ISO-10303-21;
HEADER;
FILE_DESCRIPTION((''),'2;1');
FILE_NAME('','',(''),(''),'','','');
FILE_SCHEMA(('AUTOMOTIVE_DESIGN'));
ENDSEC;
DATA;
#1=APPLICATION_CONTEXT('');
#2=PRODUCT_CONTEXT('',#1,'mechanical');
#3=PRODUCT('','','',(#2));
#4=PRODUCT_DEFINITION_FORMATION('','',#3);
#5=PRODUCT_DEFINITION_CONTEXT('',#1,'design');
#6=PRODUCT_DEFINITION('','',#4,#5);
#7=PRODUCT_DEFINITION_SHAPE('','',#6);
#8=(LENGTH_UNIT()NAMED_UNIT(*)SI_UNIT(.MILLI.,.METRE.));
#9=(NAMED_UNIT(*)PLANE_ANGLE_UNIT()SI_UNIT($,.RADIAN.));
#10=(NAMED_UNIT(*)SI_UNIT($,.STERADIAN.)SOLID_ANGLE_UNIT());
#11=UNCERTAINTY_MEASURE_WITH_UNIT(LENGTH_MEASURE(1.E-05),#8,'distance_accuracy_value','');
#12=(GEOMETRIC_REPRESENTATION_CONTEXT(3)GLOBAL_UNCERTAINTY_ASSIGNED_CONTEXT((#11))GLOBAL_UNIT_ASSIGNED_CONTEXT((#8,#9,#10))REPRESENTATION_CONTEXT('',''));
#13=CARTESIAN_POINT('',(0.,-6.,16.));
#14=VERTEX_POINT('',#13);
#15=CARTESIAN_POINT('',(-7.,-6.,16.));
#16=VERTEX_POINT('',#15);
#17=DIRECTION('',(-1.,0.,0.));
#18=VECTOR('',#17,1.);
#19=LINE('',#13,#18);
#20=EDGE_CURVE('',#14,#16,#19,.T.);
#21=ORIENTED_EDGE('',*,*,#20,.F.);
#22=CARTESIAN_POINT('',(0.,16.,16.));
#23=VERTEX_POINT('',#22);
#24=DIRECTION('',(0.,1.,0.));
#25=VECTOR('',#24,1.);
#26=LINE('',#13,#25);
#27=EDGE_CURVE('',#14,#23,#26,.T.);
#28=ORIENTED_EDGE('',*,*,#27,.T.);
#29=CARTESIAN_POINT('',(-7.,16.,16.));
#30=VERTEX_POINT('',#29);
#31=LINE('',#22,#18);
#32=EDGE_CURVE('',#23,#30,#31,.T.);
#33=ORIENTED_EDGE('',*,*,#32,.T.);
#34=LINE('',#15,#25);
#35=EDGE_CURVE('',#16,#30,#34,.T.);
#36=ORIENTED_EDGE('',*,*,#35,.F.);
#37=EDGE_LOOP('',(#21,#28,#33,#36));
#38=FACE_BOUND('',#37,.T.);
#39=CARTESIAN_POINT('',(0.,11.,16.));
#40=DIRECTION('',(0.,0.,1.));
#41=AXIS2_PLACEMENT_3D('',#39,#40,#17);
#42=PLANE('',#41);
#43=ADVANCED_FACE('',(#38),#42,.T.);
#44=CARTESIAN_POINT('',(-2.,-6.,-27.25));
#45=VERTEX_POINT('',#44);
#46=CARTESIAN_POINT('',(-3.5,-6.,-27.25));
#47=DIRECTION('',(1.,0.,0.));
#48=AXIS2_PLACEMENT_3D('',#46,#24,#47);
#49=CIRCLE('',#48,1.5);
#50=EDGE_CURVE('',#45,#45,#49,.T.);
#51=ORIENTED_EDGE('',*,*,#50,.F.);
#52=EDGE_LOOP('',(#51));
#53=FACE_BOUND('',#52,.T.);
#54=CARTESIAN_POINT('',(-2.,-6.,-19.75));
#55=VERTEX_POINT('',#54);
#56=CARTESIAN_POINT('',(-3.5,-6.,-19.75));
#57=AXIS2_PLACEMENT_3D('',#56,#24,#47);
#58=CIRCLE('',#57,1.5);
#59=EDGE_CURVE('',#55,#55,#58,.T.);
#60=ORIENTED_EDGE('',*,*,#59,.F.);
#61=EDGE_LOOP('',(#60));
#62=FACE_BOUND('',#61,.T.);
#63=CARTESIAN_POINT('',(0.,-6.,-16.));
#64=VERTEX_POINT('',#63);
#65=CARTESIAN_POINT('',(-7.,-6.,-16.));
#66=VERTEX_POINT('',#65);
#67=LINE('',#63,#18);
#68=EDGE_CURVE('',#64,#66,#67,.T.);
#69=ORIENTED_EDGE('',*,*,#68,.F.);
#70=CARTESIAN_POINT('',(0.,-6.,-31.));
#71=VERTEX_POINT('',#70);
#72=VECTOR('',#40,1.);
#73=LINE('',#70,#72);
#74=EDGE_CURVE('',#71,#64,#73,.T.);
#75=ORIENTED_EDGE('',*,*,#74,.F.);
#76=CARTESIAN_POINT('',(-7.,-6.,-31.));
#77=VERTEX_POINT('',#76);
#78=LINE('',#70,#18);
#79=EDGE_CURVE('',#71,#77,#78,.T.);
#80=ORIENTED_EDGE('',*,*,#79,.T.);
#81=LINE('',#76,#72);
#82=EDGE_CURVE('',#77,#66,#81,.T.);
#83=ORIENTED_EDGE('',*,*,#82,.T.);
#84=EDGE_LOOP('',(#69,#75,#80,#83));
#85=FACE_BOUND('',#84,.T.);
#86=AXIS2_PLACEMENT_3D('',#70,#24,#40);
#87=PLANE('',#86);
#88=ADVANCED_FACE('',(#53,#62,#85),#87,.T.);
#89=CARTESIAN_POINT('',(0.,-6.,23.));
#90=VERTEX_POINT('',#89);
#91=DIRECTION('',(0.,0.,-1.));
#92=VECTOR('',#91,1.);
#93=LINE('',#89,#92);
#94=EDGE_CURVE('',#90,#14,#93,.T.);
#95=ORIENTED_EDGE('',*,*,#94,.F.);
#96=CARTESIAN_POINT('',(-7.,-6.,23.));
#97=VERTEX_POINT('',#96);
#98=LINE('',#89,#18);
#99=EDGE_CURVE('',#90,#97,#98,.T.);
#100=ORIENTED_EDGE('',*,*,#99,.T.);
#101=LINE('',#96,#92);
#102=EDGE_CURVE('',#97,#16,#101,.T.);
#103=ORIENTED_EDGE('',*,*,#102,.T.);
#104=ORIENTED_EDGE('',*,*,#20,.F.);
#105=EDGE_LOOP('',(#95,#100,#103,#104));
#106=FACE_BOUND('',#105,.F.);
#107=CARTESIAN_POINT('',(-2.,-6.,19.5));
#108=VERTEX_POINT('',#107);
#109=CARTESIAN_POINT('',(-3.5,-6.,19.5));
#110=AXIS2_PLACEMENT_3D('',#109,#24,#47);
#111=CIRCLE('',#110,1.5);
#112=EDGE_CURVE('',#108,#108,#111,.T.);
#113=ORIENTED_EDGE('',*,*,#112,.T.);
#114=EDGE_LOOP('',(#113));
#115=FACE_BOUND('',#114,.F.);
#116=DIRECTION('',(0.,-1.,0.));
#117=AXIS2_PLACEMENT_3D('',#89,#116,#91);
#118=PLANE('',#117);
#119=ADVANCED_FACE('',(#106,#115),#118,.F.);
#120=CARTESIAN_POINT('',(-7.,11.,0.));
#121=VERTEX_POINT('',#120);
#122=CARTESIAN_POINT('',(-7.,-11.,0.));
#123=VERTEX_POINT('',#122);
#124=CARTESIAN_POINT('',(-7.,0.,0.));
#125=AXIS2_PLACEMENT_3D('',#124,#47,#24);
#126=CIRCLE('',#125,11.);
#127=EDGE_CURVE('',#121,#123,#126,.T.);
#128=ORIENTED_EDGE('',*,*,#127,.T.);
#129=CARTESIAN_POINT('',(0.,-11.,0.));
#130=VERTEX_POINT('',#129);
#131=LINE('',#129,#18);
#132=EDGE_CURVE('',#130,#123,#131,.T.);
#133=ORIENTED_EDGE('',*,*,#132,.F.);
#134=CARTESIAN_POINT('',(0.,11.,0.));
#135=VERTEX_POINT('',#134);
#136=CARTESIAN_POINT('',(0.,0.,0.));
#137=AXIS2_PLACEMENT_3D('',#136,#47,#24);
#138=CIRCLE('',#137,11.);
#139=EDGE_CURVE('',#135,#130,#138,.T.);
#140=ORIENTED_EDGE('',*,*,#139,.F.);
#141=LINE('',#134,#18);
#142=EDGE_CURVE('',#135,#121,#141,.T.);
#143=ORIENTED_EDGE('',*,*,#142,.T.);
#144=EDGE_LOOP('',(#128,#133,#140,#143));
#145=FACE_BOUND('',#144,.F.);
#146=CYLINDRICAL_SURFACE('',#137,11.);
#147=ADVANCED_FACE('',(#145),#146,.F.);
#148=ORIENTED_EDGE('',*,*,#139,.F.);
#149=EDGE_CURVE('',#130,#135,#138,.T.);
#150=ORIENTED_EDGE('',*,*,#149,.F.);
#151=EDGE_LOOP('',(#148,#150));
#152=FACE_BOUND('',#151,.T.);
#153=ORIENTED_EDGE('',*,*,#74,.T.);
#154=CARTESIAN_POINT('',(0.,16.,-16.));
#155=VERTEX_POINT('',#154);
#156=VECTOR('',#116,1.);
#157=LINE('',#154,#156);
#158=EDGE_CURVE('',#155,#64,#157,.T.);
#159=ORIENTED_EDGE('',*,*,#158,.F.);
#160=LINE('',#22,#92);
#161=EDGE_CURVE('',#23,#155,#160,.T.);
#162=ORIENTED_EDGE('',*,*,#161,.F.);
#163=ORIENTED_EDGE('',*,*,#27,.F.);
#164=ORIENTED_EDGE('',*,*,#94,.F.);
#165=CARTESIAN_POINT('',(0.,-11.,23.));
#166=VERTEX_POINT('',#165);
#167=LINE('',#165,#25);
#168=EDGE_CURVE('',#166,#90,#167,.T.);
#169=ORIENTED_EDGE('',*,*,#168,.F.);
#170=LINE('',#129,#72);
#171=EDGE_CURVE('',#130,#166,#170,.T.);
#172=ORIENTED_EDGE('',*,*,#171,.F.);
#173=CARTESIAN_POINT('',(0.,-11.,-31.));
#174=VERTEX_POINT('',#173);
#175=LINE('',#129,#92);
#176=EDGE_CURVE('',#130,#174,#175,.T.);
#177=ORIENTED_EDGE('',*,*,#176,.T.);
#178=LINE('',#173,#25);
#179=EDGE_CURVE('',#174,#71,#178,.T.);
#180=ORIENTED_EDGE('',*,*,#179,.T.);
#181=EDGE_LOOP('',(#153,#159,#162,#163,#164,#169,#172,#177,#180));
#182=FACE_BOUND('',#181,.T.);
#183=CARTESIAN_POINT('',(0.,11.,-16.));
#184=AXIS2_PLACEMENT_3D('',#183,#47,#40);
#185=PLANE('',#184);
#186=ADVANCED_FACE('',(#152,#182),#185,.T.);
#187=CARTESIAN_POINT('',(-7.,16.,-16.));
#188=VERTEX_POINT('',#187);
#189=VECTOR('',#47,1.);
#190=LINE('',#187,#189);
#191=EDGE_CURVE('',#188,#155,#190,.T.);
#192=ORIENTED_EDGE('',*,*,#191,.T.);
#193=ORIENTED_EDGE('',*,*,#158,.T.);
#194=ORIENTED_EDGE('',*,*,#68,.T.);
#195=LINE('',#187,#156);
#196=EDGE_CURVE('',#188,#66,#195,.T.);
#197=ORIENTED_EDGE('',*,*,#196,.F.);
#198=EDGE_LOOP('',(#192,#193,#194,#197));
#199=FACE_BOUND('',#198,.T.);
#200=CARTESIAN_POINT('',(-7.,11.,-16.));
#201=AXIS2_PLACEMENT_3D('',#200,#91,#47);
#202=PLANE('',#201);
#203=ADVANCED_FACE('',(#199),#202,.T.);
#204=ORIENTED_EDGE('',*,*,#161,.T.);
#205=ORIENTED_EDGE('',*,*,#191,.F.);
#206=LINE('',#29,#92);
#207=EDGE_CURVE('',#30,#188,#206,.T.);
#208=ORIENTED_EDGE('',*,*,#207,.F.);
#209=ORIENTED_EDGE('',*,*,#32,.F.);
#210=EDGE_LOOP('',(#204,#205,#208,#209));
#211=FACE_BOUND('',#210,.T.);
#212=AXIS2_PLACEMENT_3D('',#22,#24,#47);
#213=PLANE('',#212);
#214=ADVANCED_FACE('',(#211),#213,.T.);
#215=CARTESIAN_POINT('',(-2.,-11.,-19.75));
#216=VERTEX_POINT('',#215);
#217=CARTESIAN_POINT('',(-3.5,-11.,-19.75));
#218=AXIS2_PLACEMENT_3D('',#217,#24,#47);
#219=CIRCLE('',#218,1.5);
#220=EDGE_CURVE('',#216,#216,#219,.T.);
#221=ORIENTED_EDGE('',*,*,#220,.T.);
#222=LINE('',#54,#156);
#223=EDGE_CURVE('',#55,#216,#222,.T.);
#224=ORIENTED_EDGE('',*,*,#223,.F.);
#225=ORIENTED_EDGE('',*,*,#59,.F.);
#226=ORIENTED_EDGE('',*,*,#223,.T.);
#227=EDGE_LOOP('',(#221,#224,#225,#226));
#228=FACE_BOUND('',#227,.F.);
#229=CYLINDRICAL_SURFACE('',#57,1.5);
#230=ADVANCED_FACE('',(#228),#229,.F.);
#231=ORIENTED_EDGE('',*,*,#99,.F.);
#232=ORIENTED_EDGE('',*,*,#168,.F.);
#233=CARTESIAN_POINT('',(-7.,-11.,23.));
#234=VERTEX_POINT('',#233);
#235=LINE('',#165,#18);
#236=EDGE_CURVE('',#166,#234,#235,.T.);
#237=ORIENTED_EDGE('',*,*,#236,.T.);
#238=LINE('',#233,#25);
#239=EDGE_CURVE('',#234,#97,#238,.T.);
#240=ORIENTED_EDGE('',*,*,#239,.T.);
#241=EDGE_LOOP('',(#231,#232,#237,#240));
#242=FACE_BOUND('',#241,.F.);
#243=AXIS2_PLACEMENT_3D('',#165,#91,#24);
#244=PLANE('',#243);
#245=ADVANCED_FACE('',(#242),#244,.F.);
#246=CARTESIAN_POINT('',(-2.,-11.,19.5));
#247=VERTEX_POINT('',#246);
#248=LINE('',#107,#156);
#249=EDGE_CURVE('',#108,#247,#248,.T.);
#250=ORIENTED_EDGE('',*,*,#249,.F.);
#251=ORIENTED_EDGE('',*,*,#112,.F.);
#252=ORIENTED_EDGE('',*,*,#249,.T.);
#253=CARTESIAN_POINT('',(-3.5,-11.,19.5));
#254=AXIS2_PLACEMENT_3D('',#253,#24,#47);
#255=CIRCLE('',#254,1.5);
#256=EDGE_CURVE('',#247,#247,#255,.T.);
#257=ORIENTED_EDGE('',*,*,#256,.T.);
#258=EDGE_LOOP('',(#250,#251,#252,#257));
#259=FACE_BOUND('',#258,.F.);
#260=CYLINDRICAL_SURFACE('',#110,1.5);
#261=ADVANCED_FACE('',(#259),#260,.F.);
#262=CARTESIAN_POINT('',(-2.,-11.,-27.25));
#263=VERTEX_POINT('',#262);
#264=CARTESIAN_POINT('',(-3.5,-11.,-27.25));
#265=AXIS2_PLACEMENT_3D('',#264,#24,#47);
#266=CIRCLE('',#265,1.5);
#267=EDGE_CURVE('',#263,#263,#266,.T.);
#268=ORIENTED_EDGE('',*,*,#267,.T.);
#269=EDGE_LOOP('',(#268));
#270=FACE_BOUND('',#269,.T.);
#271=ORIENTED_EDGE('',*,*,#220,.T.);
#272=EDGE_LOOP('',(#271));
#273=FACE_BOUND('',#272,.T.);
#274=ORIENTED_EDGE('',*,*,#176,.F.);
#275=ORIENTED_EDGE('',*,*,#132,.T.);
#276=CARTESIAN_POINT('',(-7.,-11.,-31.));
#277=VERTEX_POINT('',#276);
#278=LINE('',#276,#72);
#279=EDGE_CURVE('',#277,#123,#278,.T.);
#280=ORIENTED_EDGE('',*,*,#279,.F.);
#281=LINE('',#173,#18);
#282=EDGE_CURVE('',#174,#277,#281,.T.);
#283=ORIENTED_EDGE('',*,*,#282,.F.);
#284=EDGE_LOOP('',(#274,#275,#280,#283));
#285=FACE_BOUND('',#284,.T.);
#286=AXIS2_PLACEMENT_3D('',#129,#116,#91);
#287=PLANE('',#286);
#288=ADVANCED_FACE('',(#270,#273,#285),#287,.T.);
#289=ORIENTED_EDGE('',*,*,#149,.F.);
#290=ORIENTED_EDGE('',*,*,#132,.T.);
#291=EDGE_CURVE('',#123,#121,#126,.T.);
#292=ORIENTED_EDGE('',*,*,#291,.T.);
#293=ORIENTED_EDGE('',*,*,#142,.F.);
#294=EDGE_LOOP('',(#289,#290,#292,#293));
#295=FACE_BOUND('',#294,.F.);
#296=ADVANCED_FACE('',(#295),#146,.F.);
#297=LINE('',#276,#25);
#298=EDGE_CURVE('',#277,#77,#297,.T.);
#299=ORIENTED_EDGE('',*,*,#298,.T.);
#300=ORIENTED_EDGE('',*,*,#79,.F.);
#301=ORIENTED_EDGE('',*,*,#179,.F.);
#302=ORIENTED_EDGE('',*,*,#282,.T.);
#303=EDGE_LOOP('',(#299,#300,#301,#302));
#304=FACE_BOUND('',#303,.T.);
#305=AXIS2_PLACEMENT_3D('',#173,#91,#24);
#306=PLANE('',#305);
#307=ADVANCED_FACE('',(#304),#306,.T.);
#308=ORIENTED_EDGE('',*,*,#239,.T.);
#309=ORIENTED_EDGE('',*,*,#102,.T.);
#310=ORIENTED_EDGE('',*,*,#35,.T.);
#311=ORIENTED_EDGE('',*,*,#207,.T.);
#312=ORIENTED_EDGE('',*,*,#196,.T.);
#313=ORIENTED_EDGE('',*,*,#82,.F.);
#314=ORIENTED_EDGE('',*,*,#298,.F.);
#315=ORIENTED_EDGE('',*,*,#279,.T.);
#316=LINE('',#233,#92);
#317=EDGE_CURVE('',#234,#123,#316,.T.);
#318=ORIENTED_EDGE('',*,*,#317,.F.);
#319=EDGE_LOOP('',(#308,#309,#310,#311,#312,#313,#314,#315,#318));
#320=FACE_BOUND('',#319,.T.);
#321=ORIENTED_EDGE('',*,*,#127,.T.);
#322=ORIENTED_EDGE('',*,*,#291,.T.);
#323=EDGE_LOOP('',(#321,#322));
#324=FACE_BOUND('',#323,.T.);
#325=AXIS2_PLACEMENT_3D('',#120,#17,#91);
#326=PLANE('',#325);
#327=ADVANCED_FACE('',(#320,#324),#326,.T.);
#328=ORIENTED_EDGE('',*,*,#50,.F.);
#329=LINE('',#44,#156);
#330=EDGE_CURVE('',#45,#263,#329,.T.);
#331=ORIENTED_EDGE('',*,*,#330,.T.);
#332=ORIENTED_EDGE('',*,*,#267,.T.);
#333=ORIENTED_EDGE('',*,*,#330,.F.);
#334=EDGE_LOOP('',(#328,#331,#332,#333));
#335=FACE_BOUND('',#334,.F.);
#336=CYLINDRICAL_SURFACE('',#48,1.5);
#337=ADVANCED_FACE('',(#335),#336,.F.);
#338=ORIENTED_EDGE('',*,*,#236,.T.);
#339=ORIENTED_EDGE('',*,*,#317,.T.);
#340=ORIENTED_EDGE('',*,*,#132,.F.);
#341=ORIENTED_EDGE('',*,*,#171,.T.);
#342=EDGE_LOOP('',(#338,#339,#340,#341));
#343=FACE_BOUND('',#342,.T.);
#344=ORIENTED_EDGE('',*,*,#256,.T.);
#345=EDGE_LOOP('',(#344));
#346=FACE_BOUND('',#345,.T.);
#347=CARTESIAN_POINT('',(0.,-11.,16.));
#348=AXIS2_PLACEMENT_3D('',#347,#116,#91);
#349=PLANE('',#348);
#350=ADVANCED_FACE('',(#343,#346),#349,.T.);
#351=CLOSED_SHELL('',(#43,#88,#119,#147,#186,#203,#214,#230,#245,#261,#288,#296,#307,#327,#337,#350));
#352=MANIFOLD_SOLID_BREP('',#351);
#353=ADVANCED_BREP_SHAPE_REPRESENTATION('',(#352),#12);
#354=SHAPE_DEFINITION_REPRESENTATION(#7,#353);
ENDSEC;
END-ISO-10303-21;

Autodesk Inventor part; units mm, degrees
ref_plane "YZ Plane" through (0, 0, 0) normal (1, 0, 0) x (0, 1, 0)
ref_plane "XZ Plane" through (0, 0, 0) normal (0, 1, 0) x (-1, 0, 0)
ref_plane "XY Plane" through (0, 0, 0) normal (0, 0, 1) x (1, 0, 0)
sketch "Sketch1" plane through (0, 0, 0) normal (1, 0, 0) x (0, 1, 0)
  circle A0 centre (0, 0) radius 11
  line L0 (0, 16) -> (-11, 16)
  line L1 (-11, 16) -> (-11, -16)
  line L2 (-11, -16) -> (11, -16)
  line L3 (11, -16) -> (11, 16)
  line L4 (11, 16) -> (0, 16)
  line L5 (-11, 16) -> (-11, 23)
  line L6 (-11, 23) -> (-6, 23)
  line L7 (-6, 23) -> (-6, 16)
  line L8 (-11, -16) -> (-11, -31)
  line L9 (-11, -31) -> (-6, -31)
  line L10 (-6, -31) -> (-6, -16)
  point P0 (11, 0)
  point P1 (-11, 0)
  dimension "d0" = 22
  dimension "d4" = 7
  dimension "d5" = 5
  dimension "d6" = 15
extrude "Extrusion1" add sketch "Sketch1" against normal blind 7 contours L3 L2 L1 A0 | A0 L1 L0 L4 L3 | L5 L6 L7 L0 | L2 L10 L9 L8
sketch "Sketch2" plane through (0, 11, 16) normal (0, 1, 0) x (1, 0, 0)
  line L0 (-7, 16) -> (-7, 32) projected
  line L1 (0, 16) -> (0, 0) projected
  line L2 (-7, 32) -> (0, 32)
  line L3 (0, 32) -> (0, 0)
  line L4 (0, 0) -> (-7, 0)
  line L5 (-7, 0) -> (-7, 32)
extrude "Extrusion2" add sketch "Sketch2" along normal blind 5
sketch "Sketch3" plane through (0, -6, 23) normal (0, 1, 0) x (1, 0, 0)
  line L0 (0, 7) -> (0, 0) projected
  line L1 (-7, 0) -> (-7, 7) projected
  line L2 (0, 0) -> (-7, 0) projected
  line L3 (0, 7) -> (-7, 7) projected
  circle A0 centre (-3.5, 3.5) radius 1.5
  line L4 (0, 54) -> (0, 39) projected
  line L5 (-7, 39) -> (-7, 54) projected
  line L6 (0, 54) -> (-7, 54) projected
  line L7 (0, 39) -> (-7, 39) projected
  line L8 (0, 46.5) -> (0, 39)
  line L9 (0, 23) -> (0, 54) projected
  line L10 (0, 46.5) -> (0, 54)
  line L11 (0, 54) -> (0, 50.25)
  line L12 (-7, 54) -> (-7, 23) projected
  circle A1 centre (-3.5, 42.75) radius 1.5
  circle A2 centre (-3.5, 50.25) radius 1.5
  dimension "d11" = 3
  dimension "d12" = 3
extrude "Extrusion3" cut sketch "Sketch3" against normal blind 5 contours A0
extrude "Extrusion4" cut sketch "Sketch3" against normal blind 5 contours A1
extrude "Extrusion5" cut sketch "Sketch3" against normal blind 5 contours A2
thread "Thread1" size "M3x0.5" class "6H" standard "ANSI Metric M Profile" full length
thread "Thread2" size "M3x0.5" class "6H" standard "ANSI Metric M Profile" full length
thread "Thread3" size "M3x0.5" class "6H" standard "ANSI Metric M Profile" full length
properties part number "aguanta rolinera"
